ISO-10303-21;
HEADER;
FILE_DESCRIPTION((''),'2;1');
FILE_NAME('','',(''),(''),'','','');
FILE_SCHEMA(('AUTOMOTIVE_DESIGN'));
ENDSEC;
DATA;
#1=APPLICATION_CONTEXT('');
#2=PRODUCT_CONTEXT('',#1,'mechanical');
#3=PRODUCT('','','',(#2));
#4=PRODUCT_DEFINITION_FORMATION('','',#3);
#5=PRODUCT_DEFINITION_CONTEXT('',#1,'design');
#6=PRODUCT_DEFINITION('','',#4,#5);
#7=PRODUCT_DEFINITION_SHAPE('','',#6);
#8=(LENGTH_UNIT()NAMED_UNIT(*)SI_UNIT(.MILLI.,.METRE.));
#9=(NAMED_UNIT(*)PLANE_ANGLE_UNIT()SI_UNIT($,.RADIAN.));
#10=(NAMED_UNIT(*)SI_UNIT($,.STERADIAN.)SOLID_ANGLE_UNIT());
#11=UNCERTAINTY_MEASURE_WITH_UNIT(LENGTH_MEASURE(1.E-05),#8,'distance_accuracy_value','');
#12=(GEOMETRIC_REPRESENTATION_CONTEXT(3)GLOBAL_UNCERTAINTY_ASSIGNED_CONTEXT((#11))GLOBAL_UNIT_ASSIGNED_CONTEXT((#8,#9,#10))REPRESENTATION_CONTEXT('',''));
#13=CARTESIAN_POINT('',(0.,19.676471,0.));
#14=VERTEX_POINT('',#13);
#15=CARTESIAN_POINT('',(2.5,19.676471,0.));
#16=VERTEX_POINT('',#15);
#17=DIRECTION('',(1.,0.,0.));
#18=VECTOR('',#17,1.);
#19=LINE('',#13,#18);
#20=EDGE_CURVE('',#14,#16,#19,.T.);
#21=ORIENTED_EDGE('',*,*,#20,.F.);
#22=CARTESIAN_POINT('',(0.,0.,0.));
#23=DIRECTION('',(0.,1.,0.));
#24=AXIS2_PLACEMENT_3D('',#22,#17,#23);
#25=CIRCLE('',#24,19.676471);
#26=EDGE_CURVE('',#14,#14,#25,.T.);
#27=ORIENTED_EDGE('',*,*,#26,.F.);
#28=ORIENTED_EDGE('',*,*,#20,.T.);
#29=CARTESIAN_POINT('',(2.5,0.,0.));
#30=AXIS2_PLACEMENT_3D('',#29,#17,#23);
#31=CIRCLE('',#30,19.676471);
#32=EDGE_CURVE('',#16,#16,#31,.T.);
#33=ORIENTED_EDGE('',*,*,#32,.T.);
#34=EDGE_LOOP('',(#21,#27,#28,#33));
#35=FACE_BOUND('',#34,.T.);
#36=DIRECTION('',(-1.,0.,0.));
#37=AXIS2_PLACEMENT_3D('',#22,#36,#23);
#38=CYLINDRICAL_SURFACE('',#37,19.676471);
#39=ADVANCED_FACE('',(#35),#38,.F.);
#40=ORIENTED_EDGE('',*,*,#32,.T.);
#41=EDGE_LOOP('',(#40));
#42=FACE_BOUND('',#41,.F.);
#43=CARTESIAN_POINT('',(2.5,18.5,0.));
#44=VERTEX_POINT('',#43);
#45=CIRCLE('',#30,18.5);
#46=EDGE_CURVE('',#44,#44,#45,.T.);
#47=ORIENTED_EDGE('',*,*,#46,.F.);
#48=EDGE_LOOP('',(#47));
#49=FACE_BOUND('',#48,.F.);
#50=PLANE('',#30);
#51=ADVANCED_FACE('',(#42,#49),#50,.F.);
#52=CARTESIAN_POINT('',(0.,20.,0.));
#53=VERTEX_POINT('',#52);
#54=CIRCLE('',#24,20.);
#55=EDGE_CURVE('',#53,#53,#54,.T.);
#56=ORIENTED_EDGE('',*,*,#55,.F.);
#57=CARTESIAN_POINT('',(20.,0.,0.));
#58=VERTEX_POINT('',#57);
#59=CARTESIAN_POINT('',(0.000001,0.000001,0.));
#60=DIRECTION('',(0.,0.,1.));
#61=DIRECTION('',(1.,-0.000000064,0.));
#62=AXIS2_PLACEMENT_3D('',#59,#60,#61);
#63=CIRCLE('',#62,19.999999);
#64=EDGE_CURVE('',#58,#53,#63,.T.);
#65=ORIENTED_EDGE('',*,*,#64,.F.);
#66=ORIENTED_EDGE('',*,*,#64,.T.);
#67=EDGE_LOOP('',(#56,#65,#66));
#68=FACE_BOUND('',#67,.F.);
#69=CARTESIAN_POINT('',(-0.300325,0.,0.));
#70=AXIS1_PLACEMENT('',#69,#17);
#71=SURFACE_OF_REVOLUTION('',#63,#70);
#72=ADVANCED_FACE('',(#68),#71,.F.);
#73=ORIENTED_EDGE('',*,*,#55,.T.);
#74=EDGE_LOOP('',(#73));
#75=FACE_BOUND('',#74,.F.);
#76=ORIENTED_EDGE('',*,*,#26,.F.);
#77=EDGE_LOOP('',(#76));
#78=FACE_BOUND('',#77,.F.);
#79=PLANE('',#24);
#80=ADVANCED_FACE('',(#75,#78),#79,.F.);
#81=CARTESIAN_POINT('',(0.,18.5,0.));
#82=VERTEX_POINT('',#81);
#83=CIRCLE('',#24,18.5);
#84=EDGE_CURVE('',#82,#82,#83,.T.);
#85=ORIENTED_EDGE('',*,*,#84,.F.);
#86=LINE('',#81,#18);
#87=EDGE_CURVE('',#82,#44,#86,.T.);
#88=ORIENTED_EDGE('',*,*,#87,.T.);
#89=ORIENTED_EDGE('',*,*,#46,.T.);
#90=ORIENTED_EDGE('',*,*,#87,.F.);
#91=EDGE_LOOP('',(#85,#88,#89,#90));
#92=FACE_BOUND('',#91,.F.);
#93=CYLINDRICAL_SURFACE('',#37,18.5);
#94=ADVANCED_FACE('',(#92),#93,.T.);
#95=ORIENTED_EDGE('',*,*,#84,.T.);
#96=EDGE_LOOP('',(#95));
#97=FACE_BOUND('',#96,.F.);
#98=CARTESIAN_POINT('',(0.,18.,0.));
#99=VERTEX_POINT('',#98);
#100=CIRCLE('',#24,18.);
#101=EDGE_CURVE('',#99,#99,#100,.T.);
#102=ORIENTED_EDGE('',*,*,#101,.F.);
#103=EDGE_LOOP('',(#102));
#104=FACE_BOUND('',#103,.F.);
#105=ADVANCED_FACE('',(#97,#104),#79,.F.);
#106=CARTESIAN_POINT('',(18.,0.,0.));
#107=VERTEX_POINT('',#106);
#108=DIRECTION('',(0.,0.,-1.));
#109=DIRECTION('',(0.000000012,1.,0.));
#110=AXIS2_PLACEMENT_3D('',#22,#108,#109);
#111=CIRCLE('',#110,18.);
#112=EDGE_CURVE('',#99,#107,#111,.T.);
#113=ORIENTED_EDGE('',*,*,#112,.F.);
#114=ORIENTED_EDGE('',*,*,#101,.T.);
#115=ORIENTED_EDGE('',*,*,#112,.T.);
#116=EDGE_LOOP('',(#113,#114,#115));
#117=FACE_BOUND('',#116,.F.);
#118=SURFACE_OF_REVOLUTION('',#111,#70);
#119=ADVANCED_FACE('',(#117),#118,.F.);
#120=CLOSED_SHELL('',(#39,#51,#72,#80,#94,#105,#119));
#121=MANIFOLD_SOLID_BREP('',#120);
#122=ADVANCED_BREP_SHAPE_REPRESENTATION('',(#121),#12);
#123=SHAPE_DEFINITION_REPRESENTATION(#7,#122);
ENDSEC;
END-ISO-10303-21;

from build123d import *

# Parameters (mm, degrees)
F2_R     = 19.676471
F2_R_2   = 18.5
F3_DEPTH = 2.5


with BuildPart() as f1:
    # F0 (on Top) → F1 (revolve)
    with BuildSketch(Plane.XY):
        with BuildLine():
            Line((18, 0), (20, 0))
            ThreePointArc((20, 0), (14.142136, 14.142136), (0, 20))
            Line((0, 20), (0, 18))
            ThreePointArc((0, 18), (12.727922, 12.727922), (18, 0))
        make_face()
    revolve(axis=Axis((-0.300325, 0, 0), (1, 0, 0)))

    # F2 (on Right) → F3 (cut)
    with BuildSketch(Plane.YZ):
        Circle(F2_R)
        Circle(F2_R_2, mode=Mode.SUBTRACT)
    extrude(amount=F3_DEPTH, mode=Mode.SUBTRACT)


solid = f1.part
